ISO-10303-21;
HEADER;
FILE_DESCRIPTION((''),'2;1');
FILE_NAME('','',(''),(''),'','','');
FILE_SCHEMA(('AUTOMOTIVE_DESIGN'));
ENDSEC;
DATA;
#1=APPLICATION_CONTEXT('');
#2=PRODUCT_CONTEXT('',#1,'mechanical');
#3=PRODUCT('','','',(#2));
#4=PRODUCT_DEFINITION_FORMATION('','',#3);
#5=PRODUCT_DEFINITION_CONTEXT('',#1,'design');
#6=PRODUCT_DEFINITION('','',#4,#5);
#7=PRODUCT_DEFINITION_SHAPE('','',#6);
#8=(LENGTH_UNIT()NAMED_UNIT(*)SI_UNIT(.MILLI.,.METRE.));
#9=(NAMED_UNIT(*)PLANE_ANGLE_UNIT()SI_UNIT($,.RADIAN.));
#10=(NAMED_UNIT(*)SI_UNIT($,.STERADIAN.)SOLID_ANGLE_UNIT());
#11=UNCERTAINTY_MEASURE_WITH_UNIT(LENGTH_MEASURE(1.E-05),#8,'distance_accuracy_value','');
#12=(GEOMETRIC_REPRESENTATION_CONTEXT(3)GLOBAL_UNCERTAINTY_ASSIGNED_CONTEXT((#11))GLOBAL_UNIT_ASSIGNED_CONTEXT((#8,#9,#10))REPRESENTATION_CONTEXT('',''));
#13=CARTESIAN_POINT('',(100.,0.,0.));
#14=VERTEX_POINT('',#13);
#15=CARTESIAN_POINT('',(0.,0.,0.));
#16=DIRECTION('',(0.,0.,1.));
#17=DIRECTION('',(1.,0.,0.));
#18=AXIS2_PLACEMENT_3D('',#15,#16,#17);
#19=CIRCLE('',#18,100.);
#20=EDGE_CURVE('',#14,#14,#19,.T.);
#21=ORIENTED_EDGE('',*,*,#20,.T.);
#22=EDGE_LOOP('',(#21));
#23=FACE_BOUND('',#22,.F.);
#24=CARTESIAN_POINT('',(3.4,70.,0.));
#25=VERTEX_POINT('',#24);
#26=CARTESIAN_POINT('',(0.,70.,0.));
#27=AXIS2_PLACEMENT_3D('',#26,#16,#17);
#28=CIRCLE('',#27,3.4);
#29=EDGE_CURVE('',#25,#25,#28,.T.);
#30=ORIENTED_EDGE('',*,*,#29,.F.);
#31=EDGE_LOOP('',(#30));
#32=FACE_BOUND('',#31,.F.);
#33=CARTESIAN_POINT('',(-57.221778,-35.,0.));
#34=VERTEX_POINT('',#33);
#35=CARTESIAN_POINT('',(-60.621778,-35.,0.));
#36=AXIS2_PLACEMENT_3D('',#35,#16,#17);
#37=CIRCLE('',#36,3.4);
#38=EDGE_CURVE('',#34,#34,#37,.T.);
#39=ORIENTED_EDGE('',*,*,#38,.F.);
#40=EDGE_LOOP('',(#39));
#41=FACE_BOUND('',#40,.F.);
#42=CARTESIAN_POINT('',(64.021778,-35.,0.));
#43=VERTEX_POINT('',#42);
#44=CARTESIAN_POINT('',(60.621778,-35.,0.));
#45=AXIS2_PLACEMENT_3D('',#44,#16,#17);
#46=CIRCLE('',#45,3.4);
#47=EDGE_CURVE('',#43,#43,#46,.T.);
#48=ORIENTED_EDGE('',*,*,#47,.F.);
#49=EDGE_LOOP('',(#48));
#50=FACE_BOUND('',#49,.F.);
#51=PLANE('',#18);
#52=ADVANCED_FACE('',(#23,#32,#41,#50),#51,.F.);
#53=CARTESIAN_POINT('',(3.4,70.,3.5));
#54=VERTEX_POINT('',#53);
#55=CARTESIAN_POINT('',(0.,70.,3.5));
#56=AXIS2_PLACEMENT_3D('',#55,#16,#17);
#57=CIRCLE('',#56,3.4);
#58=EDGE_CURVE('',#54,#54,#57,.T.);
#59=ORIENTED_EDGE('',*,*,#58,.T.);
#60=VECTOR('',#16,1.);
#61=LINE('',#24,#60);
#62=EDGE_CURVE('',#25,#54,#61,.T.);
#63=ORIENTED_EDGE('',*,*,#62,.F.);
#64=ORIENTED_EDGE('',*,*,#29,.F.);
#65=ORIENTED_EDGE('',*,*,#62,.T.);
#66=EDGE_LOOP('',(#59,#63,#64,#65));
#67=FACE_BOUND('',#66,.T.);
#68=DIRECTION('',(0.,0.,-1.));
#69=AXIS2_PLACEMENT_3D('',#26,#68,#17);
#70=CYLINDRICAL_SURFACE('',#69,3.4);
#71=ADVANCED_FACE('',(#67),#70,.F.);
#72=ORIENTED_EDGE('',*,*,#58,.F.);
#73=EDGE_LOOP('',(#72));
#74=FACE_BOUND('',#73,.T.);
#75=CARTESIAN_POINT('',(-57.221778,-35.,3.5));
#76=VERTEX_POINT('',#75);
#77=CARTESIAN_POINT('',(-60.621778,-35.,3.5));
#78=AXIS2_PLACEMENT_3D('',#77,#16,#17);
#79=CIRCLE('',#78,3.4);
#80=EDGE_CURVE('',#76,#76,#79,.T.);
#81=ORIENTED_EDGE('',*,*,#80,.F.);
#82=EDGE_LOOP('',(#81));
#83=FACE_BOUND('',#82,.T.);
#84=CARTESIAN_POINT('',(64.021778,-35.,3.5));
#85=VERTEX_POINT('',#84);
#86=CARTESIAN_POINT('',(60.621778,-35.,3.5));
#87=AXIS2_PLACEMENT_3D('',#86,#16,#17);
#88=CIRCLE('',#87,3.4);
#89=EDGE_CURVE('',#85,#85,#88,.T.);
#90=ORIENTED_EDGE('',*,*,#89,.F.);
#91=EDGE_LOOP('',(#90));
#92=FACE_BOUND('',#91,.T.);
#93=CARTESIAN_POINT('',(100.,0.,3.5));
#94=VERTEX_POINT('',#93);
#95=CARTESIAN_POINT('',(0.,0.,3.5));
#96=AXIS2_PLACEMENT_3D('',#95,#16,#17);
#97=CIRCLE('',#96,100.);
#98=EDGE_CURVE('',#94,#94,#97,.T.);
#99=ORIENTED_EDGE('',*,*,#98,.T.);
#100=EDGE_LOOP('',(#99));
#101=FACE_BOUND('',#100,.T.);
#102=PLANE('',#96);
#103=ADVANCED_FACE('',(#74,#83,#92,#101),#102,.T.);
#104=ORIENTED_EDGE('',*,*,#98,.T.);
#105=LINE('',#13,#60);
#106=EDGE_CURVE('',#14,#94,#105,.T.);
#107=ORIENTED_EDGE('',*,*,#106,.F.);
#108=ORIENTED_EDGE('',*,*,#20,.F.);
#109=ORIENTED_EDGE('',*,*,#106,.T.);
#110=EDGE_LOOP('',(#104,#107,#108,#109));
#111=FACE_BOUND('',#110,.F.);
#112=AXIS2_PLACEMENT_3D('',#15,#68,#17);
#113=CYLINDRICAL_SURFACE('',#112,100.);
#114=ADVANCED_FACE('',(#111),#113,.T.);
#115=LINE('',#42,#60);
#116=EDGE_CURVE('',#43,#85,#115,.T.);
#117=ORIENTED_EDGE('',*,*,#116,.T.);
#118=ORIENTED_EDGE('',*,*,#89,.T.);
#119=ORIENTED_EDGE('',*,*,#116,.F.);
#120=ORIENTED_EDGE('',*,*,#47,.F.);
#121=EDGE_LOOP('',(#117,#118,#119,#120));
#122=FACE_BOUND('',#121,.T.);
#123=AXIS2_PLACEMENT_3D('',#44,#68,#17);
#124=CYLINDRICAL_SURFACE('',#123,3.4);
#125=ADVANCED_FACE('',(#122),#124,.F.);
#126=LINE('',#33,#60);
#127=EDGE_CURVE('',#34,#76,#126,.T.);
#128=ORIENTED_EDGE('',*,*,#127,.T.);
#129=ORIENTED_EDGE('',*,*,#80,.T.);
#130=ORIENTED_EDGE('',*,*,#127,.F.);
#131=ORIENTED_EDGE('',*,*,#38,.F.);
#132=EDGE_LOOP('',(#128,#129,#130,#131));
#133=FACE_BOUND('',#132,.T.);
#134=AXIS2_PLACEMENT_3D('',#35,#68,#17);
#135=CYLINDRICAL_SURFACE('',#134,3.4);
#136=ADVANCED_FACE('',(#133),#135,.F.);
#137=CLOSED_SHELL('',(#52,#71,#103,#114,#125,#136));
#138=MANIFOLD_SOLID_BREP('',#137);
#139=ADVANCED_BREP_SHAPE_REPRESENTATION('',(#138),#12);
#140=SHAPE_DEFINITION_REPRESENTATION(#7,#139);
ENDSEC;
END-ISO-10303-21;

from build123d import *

# Parameters (mm, degrees)
SKETCH_R   = 100
SKETCH_R_2 = 3.4
PAD_DEPTH  = 3.5


with BuildPart() as part:
    # Sketch → Pad (new body)
    with BuildSketch(Plane.XY):
        Circle(SKETCH_R)
        with Locations((0, 70)):
            Circle(SKETCH_R_2, mode=Mode.SUBTRACT)
        with Locations((60.621778, -35)):
            Circle(SKETCH_R_2, mode=Mode.SUBTRACT)
        with Locations((-60.621778, -35)):
            Circle(SKETCH_R_2, mode=Mode.SUBTRACT)
    extrude(amount=PAD_DEPTH)


solid = part.part
